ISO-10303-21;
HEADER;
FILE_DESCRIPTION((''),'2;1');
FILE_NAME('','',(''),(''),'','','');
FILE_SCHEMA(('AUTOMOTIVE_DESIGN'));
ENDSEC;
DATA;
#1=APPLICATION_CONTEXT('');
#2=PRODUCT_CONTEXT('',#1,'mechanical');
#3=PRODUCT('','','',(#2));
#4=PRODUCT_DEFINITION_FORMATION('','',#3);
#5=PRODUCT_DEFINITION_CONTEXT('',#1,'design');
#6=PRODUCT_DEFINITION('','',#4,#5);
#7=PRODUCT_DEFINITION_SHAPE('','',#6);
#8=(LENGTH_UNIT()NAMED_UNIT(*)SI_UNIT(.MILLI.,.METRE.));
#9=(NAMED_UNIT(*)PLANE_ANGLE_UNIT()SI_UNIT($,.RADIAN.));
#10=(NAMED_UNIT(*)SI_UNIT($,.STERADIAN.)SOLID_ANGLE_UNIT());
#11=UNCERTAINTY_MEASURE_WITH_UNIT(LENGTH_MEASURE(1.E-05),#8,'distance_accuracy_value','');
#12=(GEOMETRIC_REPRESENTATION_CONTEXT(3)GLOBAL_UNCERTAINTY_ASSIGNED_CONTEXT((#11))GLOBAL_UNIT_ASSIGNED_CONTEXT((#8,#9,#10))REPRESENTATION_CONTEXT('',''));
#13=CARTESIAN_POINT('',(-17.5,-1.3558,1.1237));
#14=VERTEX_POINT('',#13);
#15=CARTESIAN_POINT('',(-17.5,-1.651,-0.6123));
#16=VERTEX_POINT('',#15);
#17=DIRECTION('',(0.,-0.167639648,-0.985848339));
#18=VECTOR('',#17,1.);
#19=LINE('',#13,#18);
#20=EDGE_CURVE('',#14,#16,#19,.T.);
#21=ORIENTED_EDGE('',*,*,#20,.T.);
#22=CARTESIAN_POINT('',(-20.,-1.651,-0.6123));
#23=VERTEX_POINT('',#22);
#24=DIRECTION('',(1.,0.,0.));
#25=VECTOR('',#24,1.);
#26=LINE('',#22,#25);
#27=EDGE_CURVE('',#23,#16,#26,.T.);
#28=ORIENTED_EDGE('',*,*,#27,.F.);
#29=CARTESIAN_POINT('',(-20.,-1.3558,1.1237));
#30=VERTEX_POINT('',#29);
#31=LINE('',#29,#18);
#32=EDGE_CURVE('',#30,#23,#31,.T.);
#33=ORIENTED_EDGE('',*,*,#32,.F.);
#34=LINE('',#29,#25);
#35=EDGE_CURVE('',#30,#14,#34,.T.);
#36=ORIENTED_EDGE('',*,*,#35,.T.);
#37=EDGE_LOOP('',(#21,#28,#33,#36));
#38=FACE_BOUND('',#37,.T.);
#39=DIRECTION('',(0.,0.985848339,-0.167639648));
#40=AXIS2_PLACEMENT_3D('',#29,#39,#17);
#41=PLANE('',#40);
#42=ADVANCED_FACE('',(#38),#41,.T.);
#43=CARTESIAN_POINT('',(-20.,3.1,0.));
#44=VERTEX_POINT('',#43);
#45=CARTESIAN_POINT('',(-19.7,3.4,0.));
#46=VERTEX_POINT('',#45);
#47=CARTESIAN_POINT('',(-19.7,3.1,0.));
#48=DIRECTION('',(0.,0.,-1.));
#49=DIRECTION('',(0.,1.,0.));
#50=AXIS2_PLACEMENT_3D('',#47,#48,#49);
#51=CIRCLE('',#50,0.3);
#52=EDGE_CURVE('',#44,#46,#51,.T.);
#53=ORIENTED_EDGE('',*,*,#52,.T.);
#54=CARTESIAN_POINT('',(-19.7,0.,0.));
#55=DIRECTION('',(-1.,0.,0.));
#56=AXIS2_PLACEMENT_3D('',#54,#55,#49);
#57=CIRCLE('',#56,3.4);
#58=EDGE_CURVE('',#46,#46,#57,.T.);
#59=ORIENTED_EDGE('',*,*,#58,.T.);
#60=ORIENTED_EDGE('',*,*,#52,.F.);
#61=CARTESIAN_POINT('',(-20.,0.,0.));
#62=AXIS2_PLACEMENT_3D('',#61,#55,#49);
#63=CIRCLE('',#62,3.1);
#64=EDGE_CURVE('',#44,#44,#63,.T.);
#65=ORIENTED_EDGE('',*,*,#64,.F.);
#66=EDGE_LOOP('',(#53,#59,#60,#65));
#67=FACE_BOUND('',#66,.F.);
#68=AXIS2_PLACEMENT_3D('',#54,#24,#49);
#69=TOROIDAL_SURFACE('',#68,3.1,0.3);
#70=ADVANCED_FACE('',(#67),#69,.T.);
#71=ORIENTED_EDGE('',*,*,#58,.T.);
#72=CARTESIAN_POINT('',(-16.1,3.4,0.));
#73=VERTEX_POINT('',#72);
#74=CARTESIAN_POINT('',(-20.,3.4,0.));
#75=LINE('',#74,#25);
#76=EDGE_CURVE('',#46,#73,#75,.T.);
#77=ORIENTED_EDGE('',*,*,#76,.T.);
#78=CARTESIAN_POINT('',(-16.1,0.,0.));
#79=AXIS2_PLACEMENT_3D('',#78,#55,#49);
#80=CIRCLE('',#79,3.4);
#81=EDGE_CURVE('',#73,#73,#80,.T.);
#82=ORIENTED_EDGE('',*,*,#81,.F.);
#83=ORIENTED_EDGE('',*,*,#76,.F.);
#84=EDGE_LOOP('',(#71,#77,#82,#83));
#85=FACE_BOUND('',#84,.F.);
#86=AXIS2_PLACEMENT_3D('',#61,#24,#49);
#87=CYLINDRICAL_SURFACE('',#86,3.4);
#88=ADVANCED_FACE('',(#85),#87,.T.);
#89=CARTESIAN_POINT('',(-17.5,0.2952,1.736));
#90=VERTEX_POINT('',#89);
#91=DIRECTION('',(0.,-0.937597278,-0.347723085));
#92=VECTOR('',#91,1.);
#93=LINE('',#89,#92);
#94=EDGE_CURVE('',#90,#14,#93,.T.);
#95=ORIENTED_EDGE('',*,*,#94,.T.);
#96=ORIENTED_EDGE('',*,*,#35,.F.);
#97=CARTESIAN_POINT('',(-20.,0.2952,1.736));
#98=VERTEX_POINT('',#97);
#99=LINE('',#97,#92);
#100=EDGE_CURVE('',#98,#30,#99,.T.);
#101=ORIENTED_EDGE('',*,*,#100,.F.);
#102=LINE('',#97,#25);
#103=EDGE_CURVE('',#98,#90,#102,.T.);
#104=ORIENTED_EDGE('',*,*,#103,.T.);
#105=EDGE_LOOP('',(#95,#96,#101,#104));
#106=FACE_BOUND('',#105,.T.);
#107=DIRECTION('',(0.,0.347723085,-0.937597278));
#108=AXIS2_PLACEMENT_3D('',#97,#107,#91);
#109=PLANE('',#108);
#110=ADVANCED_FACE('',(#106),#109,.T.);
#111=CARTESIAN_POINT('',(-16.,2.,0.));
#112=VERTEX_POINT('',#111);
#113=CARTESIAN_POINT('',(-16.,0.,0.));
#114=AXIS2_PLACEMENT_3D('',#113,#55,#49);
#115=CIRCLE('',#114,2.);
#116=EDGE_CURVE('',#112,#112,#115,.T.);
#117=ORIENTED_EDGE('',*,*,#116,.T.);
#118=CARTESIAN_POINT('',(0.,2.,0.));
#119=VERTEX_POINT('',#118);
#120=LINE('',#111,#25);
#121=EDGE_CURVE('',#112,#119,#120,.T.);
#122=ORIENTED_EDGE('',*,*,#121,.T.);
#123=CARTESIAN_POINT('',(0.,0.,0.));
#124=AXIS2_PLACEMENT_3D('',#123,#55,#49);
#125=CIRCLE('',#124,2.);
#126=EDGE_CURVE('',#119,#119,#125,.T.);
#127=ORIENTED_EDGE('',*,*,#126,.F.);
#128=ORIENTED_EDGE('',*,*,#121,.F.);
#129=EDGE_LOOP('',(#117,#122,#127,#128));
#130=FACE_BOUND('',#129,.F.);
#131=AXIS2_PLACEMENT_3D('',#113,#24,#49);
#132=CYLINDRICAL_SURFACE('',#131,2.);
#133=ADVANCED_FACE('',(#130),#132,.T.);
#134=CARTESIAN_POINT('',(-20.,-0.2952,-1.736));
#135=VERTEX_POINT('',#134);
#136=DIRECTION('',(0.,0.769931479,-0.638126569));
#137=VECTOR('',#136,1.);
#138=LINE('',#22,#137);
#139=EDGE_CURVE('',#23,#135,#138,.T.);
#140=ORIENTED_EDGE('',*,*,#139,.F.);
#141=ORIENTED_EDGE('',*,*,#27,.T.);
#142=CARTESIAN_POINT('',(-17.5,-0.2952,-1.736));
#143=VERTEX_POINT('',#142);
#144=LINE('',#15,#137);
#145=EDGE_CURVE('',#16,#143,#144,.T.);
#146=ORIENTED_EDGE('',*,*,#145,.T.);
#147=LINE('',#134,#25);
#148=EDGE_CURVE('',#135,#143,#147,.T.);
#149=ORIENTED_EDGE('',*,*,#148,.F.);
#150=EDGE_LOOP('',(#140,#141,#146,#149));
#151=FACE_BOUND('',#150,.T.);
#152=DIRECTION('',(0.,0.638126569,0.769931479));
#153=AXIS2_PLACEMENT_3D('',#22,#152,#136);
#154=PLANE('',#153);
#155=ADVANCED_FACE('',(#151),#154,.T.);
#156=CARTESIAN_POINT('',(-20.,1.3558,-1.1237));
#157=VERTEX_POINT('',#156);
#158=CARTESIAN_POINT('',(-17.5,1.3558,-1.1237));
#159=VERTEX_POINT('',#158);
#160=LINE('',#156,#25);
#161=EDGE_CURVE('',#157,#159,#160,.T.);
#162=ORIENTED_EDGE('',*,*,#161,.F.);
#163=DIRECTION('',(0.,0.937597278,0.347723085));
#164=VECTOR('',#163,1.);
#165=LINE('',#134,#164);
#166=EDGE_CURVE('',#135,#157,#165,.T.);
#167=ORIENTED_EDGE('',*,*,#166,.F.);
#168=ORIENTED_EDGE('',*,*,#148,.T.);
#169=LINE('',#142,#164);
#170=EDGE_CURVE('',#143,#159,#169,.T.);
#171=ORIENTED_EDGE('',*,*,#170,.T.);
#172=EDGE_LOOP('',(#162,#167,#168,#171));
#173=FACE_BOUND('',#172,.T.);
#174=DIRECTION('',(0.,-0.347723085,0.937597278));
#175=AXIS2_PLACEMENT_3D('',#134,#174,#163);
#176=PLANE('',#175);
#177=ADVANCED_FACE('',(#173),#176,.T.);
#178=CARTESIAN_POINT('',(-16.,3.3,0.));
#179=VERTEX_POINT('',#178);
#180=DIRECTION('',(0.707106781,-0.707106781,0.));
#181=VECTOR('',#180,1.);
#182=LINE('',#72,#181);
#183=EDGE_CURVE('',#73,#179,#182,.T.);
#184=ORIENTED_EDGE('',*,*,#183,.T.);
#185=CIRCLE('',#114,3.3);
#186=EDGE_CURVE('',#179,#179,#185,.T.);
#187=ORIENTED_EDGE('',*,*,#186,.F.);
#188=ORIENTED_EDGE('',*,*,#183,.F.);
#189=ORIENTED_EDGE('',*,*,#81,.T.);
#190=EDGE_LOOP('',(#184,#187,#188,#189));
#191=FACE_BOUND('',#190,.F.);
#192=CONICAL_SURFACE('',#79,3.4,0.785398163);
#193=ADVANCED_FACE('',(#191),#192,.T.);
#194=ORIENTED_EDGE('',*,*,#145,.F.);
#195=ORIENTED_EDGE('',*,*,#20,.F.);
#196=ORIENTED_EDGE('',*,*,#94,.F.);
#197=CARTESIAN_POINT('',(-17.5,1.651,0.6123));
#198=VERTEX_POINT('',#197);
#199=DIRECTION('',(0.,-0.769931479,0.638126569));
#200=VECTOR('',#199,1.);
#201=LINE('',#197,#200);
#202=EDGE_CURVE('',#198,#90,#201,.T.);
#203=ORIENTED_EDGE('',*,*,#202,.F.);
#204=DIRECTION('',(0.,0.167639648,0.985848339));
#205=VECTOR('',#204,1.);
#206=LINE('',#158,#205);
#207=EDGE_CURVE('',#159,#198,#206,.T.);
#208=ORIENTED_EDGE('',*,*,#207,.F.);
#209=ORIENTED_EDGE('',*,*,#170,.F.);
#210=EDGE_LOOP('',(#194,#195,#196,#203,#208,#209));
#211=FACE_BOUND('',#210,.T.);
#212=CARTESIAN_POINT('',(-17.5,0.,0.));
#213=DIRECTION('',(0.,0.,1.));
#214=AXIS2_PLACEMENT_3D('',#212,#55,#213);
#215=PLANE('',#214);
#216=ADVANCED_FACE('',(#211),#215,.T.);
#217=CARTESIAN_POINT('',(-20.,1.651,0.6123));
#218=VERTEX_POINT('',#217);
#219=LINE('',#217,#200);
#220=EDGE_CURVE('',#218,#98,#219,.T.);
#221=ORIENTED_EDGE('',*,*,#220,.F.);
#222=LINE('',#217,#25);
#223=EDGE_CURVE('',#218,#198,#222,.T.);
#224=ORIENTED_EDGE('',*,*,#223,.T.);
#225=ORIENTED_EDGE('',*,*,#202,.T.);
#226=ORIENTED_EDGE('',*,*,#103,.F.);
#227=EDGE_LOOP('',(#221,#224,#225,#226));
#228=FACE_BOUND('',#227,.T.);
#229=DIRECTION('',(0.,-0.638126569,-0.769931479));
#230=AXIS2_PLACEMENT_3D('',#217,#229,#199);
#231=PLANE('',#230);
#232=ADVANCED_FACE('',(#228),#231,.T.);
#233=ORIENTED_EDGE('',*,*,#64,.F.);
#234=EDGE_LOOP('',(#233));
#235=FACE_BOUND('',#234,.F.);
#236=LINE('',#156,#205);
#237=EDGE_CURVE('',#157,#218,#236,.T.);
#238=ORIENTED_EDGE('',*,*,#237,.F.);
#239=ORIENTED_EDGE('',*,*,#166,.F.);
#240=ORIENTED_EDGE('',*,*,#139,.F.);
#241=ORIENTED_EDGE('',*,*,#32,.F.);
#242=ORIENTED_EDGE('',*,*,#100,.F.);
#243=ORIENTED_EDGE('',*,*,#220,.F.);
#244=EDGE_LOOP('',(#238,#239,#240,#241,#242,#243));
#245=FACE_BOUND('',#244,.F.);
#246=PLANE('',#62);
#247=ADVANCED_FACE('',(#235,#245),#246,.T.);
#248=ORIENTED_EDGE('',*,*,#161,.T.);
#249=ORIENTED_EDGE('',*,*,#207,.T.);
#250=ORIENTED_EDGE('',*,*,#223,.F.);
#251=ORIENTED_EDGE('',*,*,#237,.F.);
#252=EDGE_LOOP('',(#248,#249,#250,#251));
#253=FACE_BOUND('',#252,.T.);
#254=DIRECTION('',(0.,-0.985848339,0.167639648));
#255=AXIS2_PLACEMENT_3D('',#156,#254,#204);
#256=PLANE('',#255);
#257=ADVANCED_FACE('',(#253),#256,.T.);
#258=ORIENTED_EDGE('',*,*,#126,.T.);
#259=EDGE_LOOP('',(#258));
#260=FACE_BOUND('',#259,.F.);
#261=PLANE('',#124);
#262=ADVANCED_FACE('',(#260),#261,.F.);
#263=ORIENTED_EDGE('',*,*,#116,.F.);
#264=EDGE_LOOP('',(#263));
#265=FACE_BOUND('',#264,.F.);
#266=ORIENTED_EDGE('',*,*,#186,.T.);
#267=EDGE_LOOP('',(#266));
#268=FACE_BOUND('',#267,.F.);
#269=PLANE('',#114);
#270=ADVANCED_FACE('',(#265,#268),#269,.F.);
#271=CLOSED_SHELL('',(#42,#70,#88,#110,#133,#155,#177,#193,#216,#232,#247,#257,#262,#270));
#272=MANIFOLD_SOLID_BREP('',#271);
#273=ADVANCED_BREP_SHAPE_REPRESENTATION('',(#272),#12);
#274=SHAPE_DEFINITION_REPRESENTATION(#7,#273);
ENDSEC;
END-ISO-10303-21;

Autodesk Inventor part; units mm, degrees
ref_plane "YZ Plane" through (0, 0, 0) normal (1, 0, 0) x (0, 1, 0)
ref_plane "XZ Plane" through (0, 0, 0) normal (0, 1, 0) x (-1, 0, 0)
ref_plane "XY Plane" through (0, 0, 0) normal (0, 0, 1) x (1, 0, 0)
sketch "Sketch1" plane through (0, 0, 0) normal (0, 0, 1) x (1, 0, 0)
  line L0 (0, 0) -> (-20, 0)
  line L1 (-20, 0) -> (-20, 3.4)
  line L2 (-20, 3.4) -> (-16, 3.4)
  line L3 (-16, 3.4) -> (-16, 2)
  line L4 (-16, 2) -> (0, 2)
  line L5 (0, 2) -> (0, 0)
  dimension "d0" = 4
  dimension "d1" = 2
  dimension "d2" = 20
  dimension "d3" = 3.4
revolve "Revolution1" add sketch "Sketch1" angle 360 about axis through (0, 0, 0) along (-1, 0, 0)
fillet "Fillet1" radius 0.3 1 edges at (-20, -3.4, 0)
chamfer "Chamfer1" distance 0.1 angle 45 1 edges at (-16, -3.4, 0)
thread "Thread1" size "M4x0.7" class "6g" standard "ANSI Metric M Profile" full length
sketch "Sketch2" plane through (-20, 0, 0) normal (-1, 0, 0) x (0, 0, 1)
  line L0 (-1.1237, 1.3558) -> (0.6123, 1.651)
  line L1 (0.6123, 1.651) -> (1.736, 0.2952)
  line L2 (1.736, 0.2952) -> (1.1237, -1.3558)
  line L3 (1.1237, -1.3558) -> (-0.6123, -1.651)
  line L4 (-0.6123, -1.651) -> (-1.736, -0.2952)
  line L5 (-1.736, -0.2952) -> (-1.1237, 1.3558)
  point P0 (0, 0)
  point P1 (0, 0)
  dimension "d11" = 3.05
extrude "Extrusion1" cut sketch "Sketch2" against normal blind 2.5
properties part number "Screw_StainlessSteal_M4_SocketCap_20mm" material "Stainless Steel"
